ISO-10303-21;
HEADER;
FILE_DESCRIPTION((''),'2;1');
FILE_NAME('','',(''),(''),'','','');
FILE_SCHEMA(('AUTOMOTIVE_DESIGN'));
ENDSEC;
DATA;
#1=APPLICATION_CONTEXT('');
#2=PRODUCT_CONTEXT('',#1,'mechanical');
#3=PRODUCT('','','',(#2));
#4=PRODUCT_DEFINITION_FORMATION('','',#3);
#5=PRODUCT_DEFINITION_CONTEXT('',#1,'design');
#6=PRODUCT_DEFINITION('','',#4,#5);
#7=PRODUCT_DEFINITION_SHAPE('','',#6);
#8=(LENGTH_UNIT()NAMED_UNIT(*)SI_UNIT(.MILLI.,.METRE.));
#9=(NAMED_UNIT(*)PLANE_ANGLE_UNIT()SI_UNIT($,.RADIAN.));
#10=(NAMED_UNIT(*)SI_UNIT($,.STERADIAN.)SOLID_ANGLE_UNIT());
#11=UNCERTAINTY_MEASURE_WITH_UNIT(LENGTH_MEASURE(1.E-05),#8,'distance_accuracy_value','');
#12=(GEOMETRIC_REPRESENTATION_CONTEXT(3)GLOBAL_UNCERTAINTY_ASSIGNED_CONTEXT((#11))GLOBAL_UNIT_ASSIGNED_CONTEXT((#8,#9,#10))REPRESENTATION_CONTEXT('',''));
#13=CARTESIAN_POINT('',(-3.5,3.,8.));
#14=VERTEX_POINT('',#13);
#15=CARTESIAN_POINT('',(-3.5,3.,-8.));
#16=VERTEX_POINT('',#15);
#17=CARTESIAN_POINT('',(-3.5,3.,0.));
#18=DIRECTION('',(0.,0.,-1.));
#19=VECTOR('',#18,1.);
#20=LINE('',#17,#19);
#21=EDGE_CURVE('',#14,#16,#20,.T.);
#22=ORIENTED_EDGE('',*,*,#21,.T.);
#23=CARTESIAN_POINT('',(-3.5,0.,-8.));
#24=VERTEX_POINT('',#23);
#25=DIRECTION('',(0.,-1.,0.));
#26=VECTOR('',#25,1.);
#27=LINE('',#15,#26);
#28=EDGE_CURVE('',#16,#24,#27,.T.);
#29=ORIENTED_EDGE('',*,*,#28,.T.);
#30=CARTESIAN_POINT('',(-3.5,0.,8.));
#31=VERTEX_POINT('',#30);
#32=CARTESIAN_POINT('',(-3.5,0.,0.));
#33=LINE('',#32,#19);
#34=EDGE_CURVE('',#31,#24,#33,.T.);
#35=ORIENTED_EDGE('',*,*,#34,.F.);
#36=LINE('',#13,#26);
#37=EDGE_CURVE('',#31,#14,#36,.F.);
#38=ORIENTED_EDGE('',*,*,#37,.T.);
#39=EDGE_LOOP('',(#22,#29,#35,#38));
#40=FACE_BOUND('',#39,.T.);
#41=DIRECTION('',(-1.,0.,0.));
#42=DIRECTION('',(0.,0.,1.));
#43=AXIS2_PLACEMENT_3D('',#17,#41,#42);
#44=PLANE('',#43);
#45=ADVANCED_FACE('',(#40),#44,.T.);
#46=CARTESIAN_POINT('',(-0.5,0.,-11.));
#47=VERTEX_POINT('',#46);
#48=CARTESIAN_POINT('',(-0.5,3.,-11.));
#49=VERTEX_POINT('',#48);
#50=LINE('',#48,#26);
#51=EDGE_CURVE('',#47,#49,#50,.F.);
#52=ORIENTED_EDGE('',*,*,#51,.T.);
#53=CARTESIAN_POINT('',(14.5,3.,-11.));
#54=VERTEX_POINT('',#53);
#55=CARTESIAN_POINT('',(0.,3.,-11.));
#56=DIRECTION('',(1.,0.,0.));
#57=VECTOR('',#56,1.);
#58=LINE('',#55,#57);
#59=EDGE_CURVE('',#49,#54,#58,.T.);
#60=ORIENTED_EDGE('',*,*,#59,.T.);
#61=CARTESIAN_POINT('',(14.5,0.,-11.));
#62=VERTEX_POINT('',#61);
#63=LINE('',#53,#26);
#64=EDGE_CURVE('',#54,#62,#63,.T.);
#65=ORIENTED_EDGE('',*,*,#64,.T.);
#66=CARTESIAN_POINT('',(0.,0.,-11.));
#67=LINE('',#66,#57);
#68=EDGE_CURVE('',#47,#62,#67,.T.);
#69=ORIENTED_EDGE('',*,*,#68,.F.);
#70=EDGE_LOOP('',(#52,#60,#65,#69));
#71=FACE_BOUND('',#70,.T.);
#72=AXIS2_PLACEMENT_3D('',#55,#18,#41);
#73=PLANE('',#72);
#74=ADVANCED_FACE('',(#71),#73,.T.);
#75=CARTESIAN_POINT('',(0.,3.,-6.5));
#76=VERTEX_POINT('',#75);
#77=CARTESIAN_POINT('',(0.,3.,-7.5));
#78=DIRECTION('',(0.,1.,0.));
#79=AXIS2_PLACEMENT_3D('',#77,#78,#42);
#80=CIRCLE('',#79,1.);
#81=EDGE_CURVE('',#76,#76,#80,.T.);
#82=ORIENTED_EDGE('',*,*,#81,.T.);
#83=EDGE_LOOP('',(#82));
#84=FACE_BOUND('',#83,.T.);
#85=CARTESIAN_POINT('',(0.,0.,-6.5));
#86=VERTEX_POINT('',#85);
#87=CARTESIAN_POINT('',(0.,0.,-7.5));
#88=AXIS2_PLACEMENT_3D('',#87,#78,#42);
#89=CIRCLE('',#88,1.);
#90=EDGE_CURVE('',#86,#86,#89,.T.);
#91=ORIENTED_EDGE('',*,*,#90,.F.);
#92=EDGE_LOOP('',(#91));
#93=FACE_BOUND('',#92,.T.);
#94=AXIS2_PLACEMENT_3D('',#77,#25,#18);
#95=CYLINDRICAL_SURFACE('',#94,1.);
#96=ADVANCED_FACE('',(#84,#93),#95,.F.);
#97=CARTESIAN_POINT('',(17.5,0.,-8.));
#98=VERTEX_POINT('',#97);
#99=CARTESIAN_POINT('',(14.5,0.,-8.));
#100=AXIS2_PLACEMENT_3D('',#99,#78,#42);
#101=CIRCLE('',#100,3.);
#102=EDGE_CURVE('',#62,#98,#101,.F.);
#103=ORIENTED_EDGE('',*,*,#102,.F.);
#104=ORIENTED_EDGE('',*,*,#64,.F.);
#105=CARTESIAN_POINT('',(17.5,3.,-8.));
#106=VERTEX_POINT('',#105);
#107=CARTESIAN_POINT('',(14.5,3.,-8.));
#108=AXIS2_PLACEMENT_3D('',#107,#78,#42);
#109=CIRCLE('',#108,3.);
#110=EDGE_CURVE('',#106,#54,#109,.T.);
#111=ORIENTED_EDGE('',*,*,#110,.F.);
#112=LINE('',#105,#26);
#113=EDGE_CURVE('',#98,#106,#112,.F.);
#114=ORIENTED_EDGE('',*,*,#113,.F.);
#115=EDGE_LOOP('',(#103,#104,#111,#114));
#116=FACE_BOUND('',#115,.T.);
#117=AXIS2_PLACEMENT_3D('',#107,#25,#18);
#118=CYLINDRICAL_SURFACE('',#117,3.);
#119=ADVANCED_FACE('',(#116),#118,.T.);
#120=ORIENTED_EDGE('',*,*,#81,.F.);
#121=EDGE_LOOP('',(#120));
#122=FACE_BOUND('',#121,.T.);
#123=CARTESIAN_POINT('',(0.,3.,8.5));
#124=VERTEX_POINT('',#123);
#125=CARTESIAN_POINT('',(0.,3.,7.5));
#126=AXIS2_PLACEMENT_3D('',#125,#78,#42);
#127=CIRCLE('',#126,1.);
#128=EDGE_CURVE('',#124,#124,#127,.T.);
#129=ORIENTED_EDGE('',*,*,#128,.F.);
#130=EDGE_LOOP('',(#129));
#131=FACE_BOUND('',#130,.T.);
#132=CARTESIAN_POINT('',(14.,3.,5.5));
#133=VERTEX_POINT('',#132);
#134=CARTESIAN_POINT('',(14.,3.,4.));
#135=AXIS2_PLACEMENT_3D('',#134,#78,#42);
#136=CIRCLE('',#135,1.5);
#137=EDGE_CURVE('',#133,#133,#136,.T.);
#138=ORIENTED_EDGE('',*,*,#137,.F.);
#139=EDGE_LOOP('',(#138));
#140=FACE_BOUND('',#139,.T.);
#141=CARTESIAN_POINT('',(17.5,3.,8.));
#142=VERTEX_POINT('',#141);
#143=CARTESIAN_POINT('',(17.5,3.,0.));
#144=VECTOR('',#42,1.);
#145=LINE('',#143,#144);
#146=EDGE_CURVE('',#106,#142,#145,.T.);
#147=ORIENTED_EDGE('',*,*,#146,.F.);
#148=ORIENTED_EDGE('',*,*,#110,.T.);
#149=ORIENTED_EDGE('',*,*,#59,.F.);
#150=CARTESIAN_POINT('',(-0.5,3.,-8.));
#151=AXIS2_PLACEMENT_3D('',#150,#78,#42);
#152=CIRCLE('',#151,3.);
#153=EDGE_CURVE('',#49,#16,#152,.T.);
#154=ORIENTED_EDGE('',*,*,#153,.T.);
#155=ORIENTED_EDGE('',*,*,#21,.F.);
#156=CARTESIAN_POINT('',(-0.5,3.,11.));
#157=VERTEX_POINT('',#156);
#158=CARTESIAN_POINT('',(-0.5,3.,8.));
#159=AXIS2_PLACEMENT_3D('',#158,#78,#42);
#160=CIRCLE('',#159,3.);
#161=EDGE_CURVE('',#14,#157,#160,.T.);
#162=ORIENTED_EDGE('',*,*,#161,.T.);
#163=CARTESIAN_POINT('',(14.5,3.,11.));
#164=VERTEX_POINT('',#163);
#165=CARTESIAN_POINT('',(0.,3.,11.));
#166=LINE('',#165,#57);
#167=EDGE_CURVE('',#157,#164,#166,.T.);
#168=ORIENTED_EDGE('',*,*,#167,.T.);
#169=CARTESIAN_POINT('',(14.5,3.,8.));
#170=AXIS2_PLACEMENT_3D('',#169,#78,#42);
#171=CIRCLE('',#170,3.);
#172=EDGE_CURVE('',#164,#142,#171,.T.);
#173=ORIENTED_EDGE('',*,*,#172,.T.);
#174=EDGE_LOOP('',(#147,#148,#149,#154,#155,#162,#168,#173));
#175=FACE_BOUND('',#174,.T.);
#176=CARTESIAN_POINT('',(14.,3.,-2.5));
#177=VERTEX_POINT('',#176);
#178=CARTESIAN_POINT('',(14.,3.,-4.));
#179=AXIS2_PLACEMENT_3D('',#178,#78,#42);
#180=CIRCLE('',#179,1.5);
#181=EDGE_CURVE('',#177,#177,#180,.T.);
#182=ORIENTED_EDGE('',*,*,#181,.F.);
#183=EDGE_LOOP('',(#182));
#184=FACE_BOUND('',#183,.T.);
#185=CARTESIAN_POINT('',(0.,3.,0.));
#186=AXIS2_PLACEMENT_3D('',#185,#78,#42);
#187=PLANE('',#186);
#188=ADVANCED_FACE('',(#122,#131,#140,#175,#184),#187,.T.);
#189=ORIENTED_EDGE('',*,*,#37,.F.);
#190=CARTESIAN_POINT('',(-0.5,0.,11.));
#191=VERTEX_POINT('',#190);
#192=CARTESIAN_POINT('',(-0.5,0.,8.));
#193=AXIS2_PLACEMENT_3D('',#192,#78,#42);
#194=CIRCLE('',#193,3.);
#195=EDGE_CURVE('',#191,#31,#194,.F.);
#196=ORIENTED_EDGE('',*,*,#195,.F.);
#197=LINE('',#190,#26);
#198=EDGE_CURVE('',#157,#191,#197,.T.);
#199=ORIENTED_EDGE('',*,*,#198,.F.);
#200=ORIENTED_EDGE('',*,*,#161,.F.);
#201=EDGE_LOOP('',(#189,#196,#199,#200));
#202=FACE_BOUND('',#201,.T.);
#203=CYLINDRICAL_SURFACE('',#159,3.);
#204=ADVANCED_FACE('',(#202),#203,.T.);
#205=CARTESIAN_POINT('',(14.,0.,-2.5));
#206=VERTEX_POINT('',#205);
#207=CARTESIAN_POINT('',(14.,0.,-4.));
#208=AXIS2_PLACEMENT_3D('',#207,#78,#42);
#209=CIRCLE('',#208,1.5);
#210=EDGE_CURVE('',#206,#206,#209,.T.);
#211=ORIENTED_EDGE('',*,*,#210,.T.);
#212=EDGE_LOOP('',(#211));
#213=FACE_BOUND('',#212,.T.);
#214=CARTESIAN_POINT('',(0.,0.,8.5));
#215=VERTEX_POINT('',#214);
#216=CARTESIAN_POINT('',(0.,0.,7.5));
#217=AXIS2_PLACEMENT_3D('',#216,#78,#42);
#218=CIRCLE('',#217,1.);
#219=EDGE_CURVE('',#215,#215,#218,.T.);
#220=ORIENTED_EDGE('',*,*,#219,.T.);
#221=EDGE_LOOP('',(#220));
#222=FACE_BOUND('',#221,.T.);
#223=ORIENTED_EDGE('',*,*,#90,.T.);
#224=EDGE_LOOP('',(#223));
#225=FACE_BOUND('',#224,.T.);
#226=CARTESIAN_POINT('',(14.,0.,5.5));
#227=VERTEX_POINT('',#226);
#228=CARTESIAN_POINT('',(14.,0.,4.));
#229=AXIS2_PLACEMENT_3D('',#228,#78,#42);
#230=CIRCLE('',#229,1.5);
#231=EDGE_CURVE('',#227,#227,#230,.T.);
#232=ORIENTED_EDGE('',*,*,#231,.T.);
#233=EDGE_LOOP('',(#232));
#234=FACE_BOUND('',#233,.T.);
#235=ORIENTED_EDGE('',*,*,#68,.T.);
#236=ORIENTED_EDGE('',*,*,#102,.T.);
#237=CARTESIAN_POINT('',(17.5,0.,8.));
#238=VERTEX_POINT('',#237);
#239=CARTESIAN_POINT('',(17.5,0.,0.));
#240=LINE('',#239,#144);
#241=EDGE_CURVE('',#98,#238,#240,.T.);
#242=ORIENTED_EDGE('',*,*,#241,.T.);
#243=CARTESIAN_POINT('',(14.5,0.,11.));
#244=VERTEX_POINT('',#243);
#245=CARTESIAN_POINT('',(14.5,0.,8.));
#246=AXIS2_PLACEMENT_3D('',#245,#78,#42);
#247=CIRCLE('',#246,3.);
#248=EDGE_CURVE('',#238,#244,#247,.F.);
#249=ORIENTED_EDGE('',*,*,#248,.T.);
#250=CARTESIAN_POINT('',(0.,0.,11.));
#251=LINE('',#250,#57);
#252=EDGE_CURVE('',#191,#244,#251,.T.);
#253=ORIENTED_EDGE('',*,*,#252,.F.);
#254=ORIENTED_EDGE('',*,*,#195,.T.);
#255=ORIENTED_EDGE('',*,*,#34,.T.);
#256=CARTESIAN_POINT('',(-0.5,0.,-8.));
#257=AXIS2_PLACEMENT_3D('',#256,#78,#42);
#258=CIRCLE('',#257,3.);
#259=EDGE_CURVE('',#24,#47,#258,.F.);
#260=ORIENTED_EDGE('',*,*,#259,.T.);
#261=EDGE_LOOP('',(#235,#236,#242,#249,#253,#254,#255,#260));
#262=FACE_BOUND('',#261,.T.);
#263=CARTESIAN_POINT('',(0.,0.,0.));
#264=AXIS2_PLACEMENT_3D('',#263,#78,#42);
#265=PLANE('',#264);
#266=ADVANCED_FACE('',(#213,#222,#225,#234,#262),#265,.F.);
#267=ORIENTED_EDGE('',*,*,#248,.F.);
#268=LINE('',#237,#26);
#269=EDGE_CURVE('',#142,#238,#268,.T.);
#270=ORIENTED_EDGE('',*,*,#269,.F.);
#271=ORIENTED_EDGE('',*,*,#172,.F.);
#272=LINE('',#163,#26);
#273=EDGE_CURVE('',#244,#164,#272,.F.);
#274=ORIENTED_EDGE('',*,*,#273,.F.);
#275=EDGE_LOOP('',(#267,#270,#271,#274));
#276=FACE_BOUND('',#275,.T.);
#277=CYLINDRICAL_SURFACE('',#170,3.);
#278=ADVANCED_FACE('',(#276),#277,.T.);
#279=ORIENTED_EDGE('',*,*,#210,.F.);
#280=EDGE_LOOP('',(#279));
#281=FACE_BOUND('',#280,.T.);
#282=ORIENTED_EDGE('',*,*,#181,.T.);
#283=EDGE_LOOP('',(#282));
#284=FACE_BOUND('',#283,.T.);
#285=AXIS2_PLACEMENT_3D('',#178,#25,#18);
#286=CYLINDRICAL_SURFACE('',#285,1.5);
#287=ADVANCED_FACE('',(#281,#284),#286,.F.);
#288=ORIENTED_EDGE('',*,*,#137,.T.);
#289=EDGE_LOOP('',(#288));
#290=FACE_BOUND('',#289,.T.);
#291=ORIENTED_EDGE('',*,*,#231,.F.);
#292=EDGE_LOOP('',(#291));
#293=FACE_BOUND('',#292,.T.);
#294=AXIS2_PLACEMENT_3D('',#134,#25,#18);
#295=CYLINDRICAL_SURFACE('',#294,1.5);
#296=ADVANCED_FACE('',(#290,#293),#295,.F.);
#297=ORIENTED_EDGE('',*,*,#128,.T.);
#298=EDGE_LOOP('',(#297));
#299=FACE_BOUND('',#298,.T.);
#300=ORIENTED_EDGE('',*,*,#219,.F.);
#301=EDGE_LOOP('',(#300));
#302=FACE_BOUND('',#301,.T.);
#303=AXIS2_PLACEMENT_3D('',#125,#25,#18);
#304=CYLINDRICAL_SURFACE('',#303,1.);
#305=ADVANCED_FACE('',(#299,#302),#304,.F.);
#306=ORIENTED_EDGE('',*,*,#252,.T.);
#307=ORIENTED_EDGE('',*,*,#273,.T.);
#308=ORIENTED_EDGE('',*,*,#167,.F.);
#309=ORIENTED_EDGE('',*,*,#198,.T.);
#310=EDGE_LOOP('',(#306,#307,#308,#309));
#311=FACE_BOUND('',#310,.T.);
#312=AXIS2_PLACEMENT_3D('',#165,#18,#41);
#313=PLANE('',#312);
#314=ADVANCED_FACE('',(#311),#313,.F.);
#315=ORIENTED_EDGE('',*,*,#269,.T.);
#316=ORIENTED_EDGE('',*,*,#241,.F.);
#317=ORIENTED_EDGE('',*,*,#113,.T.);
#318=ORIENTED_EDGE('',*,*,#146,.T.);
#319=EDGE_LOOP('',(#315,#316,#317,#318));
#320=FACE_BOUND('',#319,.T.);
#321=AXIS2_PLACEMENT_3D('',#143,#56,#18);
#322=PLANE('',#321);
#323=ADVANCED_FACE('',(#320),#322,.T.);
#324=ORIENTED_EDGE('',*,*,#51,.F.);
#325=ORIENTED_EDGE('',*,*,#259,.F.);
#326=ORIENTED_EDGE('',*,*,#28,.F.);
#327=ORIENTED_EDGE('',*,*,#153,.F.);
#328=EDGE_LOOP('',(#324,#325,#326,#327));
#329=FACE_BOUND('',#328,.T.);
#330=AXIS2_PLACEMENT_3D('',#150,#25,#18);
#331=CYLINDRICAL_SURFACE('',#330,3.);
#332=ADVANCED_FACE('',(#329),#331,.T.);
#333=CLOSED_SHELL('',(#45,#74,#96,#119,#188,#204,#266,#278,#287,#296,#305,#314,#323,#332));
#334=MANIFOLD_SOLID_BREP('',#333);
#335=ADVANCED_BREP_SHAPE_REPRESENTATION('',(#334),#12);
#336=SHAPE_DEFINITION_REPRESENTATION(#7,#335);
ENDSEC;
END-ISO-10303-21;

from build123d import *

# Parameters (mm, degrees)
SKETCH_1_W      = 7
SKETCH_1_H      = 22
SKETCH_1_R      = 1
SKETCH_1_W_2    = 14
SKETCH_1_R_2    = 1.5
EXTRUDE_1_DEPTH = 3
FILLET_1_R      = 3


with BuildPart() as part:
    # 草图1 → 凸台-拉伸1 (new body)
    # profile 1 of 2: a face of its own
    with BuildSketch(Plane(origin=(0, 0, 0), x_dir=(1, 0, 0), z_dir=(0, 1, 0))):
        Rectangle(SKETCH_1_W, SKETCH_1_H)
        with Locations(Location((0, -7.5, 0), (0, 0, 270))):
            Circle(SKETCH_1_R, mode=Mode.SUBTRACT)
        with Locations(Location((0, 7.5, 0), (0, 0, 270))):
            Circle(SKETCH_1_R, mode=Mode.SUBTRACT)
    # profile 2 of 2: a face of its own
    with BuildSketch(Plane(origin=(0, 0, 0), x_dir=(1, 0, 0), z_dir=(0, 1, 0))):
        with Locations((10.5, 0)):
            Rectangle(SKETCH_1_W_2, SKETCH_1_H)
        with Locations(Location((14, -4, 0), (0, 0, 270))):
            Circle(SKETCH_1_R_2, mode=Mode.SUBTRACT)
        with Locations(Location((14, 4, 0), (0, 0, 270))):
            Circle(SKETCH_1_R_2, mode=Mode.SUBTRACT)
    extrude(amount=EXTRUDE_1_DEPTH)

    # 圆角1
    fillet_1_edges = [part.edges().sort_by_distance(p)[0] for p in [
        (-3.5, 1.5, 11),
        (-3.5, 1.5, -11),
        (17.5, 1.5, -11),
        (17.5, 1.5, 11),
    ]]
    fillet(fillet_1_edges, radius=FILLET_1_R)


solid = part.part
